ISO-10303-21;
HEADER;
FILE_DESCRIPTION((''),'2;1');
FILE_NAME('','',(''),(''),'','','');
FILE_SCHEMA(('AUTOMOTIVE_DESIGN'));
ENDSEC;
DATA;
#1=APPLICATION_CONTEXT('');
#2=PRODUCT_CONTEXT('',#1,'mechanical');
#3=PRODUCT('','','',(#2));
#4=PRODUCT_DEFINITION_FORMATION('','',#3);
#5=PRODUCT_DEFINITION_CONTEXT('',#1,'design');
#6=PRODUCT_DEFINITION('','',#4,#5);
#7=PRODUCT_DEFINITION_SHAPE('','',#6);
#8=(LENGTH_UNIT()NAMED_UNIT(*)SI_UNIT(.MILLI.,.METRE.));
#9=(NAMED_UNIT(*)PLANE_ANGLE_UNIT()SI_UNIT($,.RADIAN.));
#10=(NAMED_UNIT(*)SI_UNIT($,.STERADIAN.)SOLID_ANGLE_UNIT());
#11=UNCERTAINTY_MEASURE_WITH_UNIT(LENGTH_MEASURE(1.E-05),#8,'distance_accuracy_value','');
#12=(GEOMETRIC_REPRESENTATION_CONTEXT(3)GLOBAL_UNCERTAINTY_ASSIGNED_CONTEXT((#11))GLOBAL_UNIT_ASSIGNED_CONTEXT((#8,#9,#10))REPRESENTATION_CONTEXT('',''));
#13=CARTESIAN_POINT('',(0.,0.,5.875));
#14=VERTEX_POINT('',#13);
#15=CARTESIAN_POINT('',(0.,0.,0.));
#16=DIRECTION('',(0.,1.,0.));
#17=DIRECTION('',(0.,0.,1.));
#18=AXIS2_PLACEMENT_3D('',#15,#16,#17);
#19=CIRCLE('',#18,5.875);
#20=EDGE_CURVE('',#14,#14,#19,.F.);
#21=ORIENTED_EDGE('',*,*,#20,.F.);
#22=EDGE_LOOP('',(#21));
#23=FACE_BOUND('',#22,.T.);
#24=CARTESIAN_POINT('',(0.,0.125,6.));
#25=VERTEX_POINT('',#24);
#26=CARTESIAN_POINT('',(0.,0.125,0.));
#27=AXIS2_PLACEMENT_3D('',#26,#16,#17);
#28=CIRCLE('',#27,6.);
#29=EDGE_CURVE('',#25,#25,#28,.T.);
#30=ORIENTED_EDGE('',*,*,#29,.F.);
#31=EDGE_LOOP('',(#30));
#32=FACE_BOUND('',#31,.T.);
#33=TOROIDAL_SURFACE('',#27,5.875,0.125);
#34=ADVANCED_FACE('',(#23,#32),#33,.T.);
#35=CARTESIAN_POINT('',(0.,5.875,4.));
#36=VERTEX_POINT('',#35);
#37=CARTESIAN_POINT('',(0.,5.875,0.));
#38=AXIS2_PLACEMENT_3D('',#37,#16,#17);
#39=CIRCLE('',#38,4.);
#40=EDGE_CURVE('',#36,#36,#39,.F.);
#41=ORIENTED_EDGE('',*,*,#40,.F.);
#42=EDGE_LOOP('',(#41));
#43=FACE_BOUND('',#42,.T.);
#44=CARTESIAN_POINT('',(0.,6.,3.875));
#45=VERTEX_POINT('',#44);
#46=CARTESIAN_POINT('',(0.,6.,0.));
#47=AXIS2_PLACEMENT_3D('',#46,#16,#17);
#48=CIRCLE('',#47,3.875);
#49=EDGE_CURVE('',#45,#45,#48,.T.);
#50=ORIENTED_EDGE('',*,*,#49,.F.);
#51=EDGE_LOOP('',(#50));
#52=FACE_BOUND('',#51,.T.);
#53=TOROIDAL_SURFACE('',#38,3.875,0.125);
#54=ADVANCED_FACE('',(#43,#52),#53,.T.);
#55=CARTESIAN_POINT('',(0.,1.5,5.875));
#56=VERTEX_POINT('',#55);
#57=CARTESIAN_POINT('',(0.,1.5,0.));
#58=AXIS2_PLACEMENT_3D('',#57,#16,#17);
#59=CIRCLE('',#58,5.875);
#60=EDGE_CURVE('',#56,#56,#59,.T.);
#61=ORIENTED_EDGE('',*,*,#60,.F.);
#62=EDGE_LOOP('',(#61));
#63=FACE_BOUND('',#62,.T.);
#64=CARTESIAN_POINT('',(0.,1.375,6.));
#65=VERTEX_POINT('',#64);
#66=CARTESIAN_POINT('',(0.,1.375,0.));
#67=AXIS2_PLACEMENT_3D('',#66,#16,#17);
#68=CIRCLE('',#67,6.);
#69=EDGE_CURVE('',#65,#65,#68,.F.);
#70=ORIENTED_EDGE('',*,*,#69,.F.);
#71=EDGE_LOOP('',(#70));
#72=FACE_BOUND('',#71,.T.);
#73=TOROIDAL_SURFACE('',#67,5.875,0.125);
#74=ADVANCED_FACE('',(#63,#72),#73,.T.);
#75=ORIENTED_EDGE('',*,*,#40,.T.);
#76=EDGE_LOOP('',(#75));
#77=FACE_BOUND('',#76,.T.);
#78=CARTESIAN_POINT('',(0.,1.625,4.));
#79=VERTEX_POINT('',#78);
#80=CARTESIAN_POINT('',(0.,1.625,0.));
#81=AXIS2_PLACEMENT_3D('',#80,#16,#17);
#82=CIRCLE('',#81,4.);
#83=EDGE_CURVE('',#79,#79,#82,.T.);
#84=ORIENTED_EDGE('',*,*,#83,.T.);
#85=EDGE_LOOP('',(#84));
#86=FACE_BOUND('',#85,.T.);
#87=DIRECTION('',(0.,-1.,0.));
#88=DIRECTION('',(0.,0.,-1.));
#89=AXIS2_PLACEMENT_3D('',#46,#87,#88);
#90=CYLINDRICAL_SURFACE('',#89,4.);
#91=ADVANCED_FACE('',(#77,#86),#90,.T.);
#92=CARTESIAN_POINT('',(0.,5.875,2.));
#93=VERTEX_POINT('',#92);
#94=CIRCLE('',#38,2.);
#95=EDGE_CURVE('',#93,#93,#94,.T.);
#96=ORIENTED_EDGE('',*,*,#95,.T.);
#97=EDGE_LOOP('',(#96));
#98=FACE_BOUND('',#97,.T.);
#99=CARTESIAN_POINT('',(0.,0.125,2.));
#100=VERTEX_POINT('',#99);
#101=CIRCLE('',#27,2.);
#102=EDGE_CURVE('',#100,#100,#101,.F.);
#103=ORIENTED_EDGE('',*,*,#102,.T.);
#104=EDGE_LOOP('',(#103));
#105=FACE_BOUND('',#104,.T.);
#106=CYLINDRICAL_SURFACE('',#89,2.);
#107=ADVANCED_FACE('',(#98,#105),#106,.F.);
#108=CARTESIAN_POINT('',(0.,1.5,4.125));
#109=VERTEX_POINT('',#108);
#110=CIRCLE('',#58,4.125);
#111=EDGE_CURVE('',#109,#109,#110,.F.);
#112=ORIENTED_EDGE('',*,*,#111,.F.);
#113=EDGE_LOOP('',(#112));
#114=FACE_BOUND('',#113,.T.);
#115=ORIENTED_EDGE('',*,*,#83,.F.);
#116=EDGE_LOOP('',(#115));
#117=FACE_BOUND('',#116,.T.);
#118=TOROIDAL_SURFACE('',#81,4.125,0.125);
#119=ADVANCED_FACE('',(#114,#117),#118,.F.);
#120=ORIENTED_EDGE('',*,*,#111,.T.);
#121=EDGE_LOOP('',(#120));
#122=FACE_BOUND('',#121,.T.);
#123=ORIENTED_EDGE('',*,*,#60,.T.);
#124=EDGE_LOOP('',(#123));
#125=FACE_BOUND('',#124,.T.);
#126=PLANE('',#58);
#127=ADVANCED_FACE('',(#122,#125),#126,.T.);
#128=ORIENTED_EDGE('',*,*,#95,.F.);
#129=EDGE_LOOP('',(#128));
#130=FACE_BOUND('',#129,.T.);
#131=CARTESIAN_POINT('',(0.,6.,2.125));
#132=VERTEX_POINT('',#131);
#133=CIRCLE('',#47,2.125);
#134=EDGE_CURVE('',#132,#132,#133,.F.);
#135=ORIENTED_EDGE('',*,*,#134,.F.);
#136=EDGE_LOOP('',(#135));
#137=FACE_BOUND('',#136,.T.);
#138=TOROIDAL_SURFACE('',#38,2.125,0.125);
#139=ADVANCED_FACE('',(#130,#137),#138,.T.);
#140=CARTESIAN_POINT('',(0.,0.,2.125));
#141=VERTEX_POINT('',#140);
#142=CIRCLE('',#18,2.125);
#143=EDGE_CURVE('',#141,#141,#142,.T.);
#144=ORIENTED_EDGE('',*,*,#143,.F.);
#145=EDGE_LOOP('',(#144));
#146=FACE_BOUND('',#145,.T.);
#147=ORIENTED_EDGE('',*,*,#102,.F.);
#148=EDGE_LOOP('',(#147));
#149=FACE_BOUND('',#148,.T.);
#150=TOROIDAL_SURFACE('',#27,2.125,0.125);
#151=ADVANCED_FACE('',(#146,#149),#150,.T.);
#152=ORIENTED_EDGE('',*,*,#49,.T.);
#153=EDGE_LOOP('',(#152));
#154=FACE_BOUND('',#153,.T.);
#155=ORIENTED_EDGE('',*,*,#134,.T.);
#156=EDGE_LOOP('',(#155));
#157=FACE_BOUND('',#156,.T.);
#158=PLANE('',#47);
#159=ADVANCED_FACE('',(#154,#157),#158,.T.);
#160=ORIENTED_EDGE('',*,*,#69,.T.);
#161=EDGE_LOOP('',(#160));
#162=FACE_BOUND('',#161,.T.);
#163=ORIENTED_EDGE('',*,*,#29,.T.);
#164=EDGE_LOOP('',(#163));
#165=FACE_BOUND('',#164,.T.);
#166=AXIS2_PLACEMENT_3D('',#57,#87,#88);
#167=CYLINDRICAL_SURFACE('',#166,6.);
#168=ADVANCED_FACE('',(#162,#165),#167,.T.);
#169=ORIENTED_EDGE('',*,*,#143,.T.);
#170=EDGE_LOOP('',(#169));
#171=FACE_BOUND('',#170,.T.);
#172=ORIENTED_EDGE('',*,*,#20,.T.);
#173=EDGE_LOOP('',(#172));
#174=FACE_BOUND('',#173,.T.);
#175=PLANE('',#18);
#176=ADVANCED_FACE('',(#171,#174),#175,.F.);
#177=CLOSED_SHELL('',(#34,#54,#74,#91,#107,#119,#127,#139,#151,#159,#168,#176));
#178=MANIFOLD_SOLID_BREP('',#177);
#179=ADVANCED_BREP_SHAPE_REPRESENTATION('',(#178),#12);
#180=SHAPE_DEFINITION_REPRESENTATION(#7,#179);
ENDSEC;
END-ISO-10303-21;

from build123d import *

# Parameters (mm, degrees)
SKETCH3_R           = 4
SKETCH3_R_2         = 2
BOSS_EXTRUDE1_DEPTH = 6
SKETCH4_R           = 6
SKETCH4_R_2         = 4
BOSS_EXTRUDE2_DEPTH = 1.5
FILLET1_R           = 0.125


with BuildPart() as part:
    # Sketch3 → Boss-Extrude1 (new body)
    with BuildSketch(Plane(origin=(0, 0, 0), x_dir=(1, 0, 0), z_dir=(0, 1, 0))):
        with Locations(Location((0, 0, 0), (0, 0, 270))):
            Circle(SKETCH3_R)
        with Locations(Location((0, 0, 0), (0, 0, 270))):
            Circle(SKETCH3_R_2, mode=Mode.SUBTRACT)
    extrude(amount=BOSS_EXTRUDE1_DEPTH)

    # Sketch4 → Boss-Extrude2 (add)
    with BuildSketch(Plane(origin=(0, 0, 0), x_dir=(1, 0, 0), z_dir=(0, 1, 0))):
        with Locations(Location((0, 0, 0), (0, 0, 270))):
            Circle(SKETCH4_R)
        with Locations(Location((0, 0, 0), (0, 0, 270))):
            Circle(SKETCH4_R_2, mode=Mode.SUBTRACT)
    extrude(amount=BOSS_EXTRUDE2_DEPTH)

    # Fillet1
    fillet1_edges = [part.edges().sort_by_distance(p)[0] for p in [
        (0, 1.5, -6),
        (0, 0, -6),
        (0, 1.5, -4),
        (0, 6, -4),
        (0, 0, -2),
        (0, 6, -2),
    ]]
    fillet(fillet1_edges, radius=FILLET1_R)


solid = part.part
